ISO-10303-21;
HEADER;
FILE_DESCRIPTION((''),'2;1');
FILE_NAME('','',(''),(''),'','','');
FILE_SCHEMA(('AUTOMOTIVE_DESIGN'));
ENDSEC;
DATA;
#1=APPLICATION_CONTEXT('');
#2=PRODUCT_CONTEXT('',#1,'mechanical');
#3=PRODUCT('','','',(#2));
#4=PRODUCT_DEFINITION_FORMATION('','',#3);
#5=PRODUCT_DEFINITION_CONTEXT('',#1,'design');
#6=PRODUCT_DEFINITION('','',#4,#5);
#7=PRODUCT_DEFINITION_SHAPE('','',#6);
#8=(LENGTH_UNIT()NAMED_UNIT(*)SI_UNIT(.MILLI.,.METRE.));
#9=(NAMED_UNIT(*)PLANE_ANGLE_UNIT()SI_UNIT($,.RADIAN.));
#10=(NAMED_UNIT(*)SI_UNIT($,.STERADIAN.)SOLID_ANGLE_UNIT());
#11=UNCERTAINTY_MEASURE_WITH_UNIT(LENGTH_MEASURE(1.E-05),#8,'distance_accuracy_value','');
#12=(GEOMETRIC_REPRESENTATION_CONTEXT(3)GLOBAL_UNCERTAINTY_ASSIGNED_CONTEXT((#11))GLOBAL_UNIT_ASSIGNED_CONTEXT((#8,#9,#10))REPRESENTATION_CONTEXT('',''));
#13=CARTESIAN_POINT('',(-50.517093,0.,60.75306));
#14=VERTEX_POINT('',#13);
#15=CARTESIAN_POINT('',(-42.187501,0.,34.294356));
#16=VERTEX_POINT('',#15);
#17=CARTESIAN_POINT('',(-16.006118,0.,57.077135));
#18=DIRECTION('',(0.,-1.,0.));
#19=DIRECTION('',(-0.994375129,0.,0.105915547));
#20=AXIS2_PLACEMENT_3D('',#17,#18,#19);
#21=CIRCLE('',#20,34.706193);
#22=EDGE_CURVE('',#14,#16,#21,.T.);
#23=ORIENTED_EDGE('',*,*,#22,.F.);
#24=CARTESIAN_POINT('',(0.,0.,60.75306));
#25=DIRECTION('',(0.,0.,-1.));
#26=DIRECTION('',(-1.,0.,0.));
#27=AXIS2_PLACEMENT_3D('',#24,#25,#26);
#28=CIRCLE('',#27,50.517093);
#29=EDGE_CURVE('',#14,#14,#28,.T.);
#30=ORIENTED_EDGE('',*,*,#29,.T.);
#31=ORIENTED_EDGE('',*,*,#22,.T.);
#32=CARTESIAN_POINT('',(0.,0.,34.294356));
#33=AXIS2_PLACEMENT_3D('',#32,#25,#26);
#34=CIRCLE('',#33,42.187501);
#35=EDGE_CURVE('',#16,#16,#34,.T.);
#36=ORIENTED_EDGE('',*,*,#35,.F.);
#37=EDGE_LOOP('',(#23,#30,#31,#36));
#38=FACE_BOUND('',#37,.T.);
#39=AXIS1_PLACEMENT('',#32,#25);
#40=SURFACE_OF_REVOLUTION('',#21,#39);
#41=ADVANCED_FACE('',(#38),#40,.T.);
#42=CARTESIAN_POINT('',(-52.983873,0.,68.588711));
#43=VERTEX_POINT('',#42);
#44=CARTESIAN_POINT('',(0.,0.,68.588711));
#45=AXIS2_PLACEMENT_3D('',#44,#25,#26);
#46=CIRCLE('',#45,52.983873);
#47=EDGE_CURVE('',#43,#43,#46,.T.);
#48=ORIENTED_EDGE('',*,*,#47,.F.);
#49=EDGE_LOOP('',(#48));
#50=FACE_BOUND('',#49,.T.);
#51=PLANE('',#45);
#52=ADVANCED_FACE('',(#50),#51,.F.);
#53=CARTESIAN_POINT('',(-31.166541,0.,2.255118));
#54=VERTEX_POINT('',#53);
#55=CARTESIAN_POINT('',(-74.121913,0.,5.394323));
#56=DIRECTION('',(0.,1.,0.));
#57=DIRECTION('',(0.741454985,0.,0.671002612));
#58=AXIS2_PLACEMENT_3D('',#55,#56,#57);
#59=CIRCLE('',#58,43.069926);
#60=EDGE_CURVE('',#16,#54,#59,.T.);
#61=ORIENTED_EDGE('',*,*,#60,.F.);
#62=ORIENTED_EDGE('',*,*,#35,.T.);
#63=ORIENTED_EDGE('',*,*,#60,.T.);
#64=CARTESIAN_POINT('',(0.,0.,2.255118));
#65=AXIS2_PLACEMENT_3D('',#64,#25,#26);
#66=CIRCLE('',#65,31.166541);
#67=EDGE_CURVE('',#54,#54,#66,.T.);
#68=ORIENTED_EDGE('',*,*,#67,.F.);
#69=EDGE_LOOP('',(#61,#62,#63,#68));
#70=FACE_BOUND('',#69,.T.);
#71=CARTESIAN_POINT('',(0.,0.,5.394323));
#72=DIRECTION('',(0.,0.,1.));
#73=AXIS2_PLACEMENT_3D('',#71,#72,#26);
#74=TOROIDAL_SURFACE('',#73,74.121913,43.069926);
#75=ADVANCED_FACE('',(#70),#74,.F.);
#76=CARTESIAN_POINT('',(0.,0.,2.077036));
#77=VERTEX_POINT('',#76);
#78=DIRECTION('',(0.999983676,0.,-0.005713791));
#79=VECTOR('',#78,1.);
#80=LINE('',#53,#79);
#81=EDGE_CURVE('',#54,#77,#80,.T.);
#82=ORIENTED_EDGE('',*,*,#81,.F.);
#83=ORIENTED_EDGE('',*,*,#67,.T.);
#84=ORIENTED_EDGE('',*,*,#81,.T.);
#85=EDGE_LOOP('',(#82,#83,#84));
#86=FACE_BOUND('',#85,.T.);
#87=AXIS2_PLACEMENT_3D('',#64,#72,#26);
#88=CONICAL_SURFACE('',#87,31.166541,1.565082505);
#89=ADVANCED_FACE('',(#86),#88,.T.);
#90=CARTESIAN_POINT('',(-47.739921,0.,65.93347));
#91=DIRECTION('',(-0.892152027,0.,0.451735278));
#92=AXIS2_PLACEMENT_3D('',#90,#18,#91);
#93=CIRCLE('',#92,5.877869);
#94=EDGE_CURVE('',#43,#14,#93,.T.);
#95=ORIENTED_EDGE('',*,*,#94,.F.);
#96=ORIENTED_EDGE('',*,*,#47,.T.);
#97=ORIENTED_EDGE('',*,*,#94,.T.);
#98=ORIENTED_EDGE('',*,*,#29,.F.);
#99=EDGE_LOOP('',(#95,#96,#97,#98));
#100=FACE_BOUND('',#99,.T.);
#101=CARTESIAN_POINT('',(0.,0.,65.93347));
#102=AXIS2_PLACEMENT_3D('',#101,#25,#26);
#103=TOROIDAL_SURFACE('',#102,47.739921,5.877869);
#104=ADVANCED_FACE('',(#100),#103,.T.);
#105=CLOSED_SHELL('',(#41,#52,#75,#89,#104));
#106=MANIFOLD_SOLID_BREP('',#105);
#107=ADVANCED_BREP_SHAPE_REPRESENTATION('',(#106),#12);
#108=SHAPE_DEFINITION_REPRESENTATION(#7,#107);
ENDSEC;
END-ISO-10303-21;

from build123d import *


with BuildPart() as f1:
    # F0 (on Front) → F1 (revolve)
    with BuildSketch(Plane.XZ):
        with BuildLine():
            ThreePointArc((-52.983873, 68.588711), (-53.346521, 64.168429), (-50.517093, 60.75306))
            ThreePointArc((-50.517093, 60.75306), (-49.110594, 46.655355), (-42.187501, 34.294356))
            ThreePointArc((-42.187501, 34.294356), (-33.394181, 19.403978), (-31.166541, 2.255118))
            Line((-31.166541, 2.255118), (0, 2.077036))
            Line((0, 2.077036), (0, 68.588711))
            Line((0, 68.588711), (-52.983873, 68.588711))
        make_face()
    revolve(axis=Axis((0, 0, 34.294356), (0, 0, -1)))


solid = f1.part
